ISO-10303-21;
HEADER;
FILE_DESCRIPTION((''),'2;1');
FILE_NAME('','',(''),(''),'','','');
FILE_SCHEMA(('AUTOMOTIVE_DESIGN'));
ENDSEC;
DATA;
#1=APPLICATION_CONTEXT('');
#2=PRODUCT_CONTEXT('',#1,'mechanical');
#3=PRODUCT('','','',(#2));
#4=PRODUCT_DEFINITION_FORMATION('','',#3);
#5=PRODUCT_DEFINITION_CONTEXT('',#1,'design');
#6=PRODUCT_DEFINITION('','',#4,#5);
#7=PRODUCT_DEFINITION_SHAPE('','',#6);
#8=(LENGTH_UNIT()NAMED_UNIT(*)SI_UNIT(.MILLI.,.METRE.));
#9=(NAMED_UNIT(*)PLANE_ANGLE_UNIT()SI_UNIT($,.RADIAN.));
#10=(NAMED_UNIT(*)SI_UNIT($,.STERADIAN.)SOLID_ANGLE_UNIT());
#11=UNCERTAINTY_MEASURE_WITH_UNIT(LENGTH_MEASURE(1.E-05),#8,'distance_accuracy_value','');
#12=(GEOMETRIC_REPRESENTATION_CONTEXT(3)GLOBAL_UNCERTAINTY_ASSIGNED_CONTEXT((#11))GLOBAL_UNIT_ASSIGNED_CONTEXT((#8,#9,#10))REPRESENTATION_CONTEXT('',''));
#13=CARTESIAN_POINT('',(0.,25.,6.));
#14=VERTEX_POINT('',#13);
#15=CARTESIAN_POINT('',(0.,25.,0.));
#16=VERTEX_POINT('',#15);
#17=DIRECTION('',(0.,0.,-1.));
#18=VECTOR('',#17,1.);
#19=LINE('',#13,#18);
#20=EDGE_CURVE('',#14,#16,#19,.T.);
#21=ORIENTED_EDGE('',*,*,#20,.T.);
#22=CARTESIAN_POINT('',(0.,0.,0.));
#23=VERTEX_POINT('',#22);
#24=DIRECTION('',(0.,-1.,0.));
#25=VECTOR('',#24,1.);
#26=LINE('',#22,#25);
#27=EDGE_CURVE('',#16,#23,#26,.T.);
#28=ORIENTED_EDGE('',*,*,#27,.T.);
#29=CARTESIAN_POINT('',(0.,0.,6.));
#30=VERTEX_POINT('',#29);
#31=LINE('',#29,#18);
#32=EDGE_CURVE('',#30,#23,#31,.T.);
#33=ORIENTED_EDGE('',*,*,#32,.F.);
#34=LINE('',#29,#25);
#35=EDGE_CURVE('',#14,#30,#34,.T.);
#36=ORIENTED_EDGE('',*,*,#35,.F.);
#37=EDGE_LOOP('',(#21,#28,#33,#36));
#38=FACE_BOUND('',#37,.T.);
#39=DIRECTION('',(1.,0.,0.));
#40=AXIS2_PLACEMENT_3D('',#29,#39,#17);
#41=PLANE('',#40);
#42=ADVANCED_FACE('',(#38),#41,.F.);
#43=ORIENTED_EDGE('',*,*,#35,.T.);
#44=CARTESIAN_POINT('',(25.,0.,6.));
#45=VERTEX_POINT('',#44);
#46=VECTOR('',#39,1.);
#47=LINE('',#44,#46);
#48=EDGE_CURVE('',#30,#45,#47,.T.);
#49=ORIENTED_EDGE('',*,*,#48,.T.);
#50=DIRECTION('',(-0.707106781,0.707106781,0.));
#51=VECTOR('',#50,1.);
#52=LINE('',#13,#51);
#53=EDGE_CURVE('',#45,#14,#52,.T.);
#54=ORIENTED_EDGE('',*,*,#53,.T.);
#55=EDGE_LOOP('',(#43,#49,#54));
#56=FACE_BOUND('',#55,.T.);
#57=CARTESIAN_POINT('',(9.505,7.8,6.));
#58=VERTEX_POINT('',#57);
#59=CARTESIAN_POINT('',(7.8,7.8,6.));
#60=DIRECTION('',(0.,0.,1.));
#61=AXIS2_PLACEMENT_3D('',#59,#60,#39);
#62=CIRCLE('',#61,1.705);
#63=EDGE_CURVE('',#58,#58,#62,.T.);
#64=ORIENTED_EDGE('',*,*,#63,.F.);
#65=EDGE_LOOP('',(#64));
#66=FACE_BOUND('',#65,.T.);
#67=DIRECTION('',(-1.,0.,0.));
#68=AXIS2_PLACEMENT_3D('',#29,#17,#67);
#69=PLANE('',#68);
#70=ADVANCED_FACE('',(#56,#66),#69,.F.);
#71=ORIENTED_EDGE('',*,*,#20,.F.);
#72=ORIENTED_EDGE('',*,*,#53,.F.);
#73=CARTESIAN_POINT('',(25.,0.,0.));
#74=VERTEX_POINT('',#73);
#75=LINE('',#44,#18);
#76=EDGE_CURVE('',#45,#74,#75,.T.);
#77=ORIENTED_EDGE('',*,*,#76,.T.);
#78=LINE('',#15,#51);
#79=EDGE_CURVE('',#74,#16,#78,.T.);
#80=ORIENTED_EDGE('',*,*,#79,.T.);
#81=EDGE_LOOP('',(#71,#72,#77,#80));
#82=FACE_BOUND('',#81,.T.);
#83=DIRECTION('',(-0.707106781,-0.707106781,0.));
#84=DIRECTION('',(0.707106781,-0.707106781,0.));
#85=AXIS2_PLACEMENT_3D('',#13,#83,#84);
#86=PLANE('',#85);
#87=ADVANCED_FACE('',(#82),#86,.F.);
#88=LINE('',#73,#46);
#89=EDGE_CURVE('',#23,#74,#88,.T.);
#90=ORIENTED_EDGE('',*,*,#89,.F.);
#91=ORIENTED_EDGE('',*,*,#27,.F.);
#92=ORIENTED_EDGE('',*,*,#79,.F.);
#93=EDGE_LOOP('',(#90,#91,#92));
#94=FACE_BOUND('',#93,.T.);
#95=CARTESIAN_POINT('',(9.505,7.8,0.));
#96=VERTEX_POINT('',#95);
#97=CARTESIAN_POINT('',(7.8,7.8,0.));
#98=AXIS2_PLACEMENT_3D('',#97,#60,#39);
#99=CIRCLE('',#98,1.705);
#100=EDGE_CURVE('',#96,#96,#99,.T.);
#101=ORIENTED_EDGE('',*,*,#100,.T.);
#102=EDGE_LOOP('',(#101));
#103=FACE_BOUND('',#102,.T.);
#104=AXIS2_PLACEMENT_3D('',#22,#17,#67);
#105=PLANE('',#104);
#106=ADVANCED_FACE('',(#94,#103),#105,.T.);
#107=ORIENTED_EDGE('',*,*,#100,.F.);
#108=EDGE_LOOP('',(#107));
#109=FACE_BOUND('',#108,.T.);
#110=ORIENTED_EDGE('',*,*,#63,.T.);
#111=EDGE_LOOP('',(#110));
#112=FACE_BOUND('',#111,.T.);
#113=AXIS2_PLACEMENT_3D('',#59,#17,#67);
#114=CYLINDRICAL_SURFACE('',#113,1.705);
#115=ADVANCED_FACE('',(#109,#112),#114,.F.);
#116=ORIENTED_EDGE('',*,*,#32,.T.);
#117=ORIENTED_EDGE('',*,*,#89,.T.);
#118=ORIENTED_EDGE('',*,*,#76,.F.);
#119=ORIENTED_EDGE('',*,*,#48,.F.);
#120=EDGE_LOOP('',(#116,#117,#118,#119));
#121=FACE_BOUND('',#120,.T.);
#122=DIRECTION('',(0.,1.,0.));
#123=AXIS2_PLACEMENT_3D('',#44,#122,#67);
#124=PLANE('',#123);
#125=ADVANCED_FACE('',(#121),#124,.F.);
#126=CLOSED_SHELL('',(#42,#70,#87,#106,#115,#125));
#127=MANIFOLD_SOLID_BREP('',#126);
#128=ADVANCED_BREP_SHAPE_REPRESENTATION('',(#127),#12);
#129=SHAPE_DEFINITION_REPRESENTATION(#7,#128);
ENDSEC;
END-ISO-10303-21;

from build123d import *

# Parameters (mm, degrees)
SKETCH1_R           = 1.705
BOSS_EXTRUDE1_DEPTH = 6


with BuildPart() as part:
    # Sketch1 → Boss-Extrude1 (new body)
    with BuildSketch(Plane.XY):
        Polygon((0, 0), (0, 25), (25, 0), align=None)
        with Locations((7.8, 7.8)):
            Circle(SKETCH1_R, mode=Mode.SUBTRACT)
    extrude(amount=BOSS_EXTRUDE1_DEPTH)


solid = part.part
